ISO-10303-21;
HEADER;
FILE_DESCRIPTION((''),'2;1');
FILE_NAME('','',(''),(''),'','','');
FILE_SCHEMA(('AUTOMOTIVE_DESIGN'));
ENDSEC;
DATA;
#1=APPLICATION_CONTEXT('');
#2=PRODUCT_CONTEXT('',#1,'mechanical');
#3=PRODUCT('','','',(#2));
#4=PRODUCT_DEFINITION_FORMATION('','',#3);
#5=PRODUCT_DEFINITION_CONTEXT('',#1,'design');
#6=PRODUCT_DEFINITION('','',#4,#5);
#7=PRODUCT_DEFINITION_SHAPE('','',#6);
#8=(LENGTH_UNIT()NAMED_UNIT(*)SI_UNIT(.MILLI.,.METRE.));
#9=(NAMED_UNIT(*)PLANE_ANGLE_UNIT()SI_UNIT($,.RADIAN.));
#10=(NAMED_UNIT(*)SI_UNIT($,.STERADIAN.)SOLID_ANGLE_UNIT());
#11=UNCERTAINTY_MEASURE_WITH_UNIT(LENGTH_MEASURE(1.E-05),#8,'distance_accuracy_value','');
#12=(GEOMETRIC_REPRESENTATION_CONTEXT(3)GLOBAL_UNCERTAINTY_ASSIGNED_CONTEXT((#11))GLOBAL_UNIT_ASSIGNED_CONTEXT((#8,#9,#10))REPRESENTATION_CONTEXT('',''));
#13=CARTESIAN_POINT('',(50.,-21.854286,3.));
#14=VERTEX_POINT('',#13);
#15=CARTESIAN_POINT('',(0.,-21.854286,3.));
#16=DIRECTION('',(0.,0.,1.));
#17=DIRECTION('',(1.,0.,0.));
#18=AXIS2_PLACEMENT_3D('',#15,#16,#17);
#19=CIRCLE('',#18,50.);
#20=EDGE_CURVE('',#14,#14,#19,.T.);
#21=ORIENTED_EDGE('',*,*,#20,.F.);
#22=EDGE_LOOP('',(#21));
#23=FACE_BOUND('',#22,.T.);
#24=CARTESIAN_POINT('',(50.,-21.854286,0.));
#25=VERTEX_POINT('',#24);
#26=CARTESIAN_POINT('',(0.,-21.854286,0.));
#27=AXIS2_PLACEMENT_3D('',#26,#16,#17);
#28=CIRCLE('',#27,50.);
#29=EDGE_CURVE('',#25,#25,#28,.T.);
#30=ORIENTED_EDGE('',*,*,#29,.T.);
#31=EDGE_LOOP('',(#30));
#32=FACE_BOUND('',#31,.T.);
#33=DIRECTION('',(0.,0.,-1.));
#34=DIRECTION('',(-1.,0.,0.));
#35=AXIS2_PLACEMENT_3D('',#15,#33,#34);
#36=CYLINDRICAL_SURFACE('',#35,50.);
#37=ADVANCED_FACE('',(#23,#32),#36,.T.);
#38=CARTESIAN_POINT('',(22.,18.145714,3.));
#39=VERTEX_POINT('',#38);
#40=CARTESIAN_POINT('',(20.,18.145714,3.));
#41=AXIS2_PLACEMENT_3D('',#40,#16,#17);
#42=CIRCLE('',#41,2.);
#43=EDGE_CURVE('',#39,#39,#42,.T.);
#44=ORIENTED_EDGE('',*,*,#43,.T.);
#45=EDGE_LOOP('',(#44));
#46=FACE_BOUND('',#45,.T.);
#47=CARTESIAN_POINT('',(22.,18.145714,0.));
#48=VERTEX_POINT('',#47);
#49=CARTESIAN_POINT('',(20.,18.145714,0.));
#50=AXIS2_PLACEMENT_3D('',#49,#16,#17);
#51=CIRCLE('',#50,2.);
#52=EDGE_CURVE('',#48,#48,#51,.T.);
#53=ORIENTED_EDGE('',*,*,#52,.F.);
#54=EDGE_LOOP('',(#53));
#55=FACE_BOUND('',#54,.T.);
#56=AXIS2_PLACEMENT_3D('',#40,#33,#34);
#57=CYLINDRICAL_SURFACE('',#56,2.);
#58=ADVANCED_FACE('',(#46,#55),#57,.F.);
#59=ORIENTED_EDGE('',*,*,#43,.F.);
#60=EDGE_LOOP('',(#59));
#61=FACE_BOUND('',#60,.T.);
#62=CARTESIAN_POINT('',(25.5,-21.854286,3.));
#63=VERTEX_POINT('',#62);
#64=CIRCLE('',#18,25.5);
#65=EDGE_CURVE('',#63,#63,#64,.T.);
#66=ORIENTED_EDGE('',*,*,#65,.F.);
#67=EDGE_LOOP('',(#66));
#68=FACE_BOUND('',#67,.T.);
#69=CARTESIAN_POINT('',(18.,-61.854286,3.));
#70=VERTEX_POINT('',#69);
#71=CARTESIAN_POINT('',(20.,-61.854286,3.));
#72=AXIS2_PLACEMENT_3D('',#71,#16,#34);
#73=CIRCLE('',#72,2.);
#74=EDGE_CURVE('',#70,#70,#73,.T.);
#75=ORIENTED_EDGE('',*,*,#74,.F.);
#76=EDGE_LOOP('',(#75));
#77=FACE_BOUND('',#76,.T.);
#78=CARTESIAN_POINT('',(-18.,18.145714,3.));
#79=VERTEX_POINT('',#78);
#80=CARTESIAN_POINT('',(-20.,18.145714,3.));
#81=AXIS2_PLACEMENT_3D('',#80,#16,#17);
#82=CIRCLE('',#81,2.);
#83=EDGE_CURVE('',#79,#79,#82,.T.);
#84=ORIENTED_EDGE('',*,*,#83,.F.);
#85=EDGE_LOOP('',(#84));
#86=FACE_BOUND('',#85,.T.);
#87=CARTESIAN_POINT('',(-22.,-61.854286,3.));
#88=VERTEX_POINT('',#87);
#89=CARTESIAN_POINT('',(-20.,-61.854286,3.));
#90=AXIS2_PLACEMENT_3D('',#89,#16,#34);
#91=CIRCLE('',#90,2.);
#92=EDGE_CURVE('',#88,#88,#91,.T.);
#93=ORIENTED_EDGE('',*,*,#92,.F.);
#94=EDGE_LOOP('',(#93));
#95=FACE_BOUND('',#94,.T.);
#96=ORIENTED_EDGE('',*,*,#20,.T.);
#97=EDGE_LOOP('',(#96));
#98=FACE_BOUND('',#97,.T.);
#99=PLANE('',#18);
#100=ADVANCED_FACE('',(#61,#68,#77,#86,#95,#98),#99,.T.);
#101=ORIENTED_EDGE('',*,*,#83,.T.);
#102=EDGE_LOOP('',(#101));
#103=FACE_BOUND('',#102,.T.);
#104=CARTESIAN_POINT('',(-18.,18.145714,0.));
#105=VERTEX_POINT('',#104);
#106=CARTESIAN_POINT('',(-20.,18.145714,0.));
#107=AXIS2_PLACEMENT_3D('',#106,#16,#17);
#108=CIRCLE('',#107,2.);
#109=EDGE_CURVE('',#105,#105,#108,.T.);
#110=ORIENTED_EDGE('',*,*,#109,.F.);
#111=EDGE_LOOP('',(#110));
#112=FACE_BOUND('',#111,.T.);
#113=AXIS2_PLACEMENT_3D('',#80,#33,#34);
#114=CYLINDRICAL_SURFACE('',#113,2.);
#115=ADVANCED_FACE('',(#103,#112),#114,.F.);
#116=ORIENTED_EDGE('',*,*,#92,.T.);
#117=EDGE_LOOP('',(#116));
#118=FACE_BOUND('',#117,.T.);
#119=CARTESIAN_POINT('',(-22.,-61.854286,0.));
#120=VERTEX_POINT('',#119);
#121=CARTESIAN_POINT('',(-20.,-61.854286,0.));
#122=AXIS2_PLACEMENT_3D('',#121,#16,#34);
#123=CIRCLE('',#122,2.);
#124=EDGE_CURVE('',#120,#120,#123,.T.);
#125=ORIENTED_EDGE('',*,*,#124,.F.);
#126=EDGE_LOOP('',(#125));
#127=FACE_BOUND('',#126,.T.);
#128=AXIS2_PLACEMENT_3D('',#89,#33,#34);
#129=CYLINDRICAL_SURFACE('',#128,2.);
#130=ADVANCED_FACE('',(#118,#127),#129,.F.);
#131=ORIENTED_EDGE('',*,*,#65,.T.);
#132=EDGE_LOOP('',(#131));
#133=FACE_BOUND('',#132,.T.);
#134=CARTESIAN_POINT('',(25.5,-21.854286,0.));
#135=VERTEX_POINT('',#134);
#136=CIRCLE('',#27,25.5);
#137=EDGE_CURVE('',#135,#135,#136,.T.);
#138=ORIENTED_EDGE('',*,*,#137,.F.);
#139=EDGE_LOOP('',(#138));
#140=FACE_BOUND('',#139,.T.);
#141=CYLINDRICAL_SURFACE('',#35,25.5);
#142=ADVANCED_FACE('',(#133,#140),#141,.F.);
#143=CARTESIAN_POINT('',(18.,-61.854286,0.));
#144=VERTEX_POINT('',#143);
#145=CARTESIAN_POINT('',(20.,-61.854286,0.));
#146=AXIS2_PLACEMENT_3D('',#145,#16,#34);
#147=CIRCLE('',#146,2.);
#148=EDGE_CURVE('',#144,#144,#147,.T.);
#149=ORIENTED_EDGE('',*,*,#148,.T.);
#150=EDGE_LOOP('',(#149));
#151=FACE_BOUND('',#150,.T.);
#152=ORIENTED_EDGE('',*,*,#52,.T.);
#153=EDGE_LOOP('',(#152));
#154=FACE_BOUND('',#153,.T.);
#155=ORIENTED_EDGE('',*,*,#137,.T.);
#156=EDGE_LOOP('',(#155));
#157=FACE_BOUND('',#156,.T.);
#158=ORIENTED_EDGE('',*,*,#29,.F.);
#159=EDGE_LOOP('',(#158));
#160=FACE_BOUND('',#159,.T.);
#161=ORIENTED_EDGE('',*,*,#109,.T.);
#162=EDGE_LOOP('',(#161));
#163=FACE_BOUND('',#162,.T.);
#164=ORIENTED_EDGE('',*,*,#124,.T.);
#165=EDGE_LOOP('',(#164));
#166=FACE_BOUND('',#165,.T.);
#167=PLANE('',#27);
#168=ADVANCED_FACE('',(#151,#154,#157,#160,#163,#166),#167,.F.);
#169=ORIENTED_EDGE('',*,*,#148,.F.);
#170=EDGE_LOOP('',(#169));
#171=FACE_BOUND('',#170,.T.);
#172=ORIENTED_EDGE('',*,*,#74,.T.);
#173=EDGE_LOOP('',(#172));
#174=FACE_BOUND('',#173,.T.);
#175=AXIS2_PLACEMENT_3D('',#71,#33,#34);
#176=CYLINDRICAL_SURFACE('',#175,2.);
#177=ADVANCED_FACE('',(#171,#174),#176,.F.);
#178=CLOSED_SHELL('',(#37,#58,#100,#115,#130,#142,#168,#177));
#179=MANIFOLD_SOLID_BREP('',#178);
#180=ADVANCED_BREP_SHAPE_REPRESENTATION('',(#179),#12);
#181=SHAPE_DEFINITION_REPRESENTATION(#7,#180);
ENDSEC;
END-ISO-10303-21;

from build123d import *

# Parameters (mm, degrees)
SKETCH_1_R      = 50
SKETCH_1_R_2    = 2
SKETCH_1_R_3    = 25.5
EXTRUDE_1_DEPTH = 3


with BuildPart() as part:
    # 草图1 → 凸台-拉伸1 (new body)
    with BuildSketch(Plane.XY):
        with Locations((0, -21.854285714)):
            Circle(SKETCH_1_R)
        with Locations((-20, 18.145714286)):
            Circle(SKETCH_1_R_2, mode=Mode.SUBTRACT)
        with Locations((20, 18.145714286)):
            Circle(SKETCH_1_R_2, mode=Mode.SUBTRACT)
        with Locations(Location((20, -61.854285714, 0), (0, 0, 180))):
            Circle(SKETCH_1_R_2, mode=Mode.SUBTRACT)
        with Locations(Location((-20, -61.854285714, 0), (0, 0, 180))):
            Circle(SKETCH_1_R_2, mode=Mode.SUBTRACT)
        with Locations((0, -21.854285714)):
            Circle(SKETCH_1_R_3, mode=Mode.SUBTRACT)
    extrude(amount=EXTRUDE_1_DEPTH)


solid = part.part
